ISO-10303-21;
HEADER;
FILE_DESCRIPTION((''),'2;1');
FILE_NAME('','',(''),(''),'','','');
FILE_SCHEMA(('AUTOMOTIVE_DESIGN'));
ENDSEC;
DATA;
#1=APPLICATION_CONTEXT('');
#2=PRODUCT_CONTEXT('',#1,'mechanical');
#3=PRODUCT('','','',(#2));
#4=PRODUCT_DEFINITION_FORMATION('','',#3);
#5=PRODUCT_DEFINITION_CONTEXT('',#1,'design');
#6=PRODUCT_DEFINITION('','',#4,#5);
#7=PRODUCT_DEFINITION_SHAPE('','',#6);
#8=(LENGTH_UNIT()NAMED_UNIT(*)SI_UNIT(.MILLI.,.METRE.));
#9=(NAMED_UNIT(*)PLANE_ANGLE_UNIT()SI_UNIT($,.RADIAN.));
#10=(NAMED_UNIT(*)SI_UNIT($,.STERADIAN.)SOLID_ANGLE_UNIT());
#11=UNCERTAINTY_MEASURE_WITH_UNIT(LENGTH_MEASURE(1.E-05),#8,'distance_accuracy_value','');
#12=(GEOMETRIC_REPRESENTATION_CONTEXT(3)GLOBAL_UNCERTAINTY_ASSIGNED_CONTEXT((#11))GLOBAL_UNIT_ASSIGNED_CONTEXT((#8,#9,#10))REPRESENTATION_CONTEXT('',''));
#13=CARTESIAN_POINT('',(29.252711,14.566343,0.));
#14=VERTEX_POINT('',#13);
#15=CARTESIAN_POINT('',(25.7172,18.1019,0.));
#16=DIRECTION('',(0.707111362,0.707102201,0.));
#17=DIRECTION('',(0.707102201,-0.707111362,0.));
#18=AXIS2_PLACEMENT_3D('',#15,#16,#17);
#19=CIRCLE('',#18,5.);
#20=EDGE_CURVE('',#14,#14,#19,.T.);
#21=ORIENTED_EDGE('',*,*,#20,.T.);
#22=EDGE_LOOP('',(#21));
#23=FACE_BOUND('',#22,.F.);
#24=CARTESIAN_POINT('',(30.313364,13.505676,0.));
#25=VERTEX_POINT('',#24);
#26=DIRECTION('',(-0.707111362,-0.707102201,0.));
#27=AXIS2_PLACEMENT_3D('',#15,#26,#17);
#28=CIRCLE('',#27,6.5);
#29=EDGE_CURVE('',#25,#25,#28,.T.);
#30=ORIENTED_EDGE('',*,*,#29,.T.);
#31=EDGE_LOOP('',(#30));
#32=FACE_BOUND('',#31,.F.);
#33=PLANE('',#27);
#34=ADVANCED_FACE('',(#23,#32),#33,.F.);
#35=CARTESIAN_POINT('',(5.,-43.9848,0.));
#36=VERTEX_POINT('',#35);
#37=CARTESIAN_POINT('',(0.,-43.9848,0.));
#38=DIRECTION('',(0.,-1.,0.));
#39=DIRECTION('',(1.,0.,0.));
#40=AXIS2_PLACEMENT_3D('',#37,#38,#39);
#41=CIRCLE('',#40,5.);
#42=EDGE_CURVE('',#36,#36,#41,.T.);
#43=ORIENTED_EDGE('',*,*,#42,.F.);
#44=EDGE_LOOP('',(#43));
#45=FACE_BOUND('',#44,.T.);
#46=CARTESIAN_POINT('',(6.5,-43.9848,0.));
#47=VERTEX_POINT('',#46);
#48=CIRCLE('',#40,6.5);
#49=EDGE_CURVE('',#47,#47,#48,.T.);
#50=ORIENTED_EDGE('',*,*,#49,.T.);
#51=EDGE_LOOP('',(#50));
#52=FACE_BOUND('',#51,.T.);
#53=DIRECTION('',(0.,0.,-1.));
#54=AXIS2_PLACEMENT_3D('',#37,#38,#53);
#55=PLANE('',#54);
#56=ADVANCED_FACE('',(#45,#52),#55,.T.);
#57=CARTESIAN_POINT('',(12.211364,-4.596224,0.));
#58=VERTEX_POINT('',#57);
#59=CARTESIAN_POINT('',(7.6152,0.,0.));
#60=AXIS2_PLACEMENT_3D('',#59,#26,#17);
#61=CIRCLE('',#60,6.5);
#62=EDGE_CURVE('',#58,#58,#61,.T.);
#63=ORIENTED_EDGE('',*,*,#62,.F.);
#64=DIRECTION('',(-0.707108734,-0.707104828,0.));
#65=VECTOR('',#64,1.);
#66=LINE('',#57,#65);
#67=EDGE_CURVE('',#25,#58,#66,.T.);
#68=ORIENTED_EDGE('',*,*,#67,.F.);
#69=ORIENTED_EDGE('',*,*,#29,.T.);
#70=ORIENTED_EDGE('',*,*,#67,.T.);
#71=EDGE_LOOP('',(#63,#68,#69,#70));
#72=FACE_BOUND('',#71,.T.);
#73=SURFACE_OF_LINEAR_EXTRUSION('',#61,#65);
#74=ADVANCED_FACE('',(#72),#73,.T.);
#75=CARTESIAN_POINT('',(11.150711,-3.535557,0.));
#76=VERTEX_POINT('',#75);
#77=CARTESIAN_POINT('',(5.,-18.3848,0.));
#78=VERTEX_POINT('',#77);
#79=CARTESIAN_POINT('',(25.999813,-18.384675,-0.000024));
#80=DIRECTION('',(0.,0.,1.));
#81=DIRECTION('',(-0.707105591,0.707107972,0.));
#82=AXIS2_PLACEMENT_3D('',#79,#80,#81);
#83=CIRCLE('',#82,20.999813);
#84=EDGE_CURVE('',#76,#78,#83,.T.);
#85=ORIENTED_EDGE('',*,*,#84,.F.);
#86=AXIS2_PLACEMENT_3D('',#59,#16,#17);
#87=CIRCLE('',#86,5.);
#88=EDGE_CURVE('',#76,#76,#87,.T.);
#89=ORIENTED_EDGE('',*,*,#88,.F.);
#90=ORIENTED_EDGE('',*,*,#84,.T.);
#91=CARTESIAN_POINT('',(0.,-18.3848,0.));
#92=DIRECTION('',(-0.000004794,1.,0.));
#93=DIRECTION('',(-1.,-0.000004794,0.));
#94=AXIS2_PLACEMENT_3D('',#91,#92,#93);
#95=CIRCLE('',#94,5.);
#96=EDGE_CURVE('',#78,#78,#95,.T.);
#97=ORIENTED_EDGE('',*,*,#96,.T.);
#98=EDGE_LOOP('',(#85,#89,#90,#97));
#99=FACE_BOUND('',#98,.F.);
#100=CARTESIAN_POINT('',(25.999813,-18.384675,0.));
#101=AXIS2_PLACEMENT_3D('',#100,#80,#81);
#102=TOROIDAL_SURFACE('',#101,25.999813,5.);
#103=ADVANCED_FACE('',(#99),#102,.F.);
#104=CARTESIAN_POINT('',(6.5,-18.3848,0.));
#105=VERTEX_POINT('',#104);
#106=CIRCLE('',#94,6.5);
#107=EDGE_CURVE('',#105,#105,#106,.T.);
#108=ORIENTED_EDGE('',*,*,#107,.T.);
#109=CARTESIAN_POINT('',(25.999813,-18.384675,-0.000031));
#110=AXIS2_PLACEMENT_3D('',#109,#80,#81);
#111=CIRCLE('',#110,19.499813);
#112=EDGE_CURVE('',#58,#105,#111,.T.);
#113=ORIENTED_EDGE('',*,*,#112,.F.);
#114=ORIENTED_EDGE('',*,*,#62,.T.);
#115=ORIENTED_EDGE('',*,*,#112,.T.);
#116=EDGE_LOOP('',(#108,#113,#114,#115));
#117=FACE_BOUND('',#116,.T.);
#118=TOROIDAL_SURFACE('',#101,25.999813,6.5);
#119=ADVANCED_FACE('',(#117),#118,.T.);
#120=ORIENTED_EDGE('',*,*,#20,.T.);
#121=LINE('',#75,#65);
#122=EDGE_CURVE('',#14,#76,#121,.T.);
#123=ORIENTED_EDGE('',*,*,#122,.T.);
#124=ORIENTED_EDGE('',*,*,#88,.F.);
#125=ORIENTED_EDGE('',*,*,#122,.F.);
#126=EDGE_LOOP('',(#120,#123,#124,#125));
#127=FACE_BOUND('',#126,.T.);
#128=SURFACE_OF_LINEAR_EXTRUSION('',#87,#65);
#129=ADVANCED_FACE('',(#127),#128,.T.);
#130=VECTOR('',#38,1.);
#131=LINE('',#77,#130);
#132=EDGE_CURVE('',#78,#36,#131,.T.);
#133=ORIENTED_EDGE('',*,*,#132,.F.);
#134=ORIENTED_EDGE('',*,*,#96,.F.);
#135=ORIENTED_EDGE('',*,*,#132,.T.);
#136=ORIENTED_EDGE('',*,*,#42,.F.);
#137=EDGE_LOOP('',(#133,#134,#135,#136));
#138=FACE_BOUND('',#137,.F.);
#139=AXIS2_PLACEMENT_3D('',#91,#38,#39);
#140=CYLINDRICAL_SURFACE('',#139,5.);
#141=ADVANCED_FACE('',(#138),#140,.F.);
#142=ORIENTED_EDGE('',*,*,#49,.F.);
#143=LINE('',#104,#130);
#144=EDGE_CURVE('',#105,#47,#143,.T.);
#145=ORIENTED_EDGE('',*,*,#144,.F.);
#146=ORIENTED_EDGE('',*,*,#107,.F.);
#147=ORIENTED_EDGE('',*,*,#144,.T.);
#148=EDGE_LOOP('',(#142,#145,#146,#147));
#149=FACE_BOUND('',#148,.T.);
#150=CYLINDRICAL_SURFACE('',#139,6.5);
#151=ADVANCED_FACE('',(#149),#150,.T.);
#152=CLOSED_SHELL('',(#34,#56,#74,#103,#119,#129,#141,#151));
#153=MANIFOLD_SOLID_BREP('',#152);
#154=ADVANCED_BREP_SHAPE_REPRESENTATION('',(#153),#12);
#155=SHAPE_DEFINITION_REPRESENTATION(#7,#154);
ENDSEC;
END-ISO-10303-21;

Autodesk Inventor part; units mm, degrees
ref_plane "YZ Plane" through (0, 0, 0) normal (1, 0, 0) x (0, 1, 0)
ref_plane "XZ Plane" through (0, 0, 0) normal (0, 1, 0) x (-1, 0, 0)
sketch "Szkic6" plane through (0, 0, 0) normal (0, 0, 1) x (1, 0, 0)
  line L0 (-29.6067, 0) -> (35.2678, 0) construction
  line L1 (0, 42.3419) -> (0, -58.3726) construction
  arc A0 (7.6152, 0) -> (0, -18.3848) centre (26, -18.3848) ccw
  line L2 (0, -18.3848) -> (26, -18.3848) construction
  line L3 (26, -18.3848) -> (-20.3389, 27.9541) construction
  line L4 (7.6152, 0) -> (25.7172, 18.1019)
  line L5 (0, -18.3848) -> (0, -43.9848)
  point P0 (0, 0)
  dimension "d24" = 152.4
  dimension "d31" = 90
  dimension "d36" = 42.6
  dimension "d37" = 42.6
ref_plane "Płaszczyzna konstrukcyjna2" through (0, -18.3848, 0) normal (0, -1, 0) x (1, 0, 0)
sketch "Szkic8" plane through (0, -18.3848, 0) normal (0, -1, 0) x (1, 0, 0)
  circle A0 centre (0, 0) radius 6.5
  circle A1 centre (0, 0) radius 5
  dimension "d32" = 101.6
  dimension "d33" = 2
sweep "Przeciągnięcie2" add profiles "Szkic8" path "Szkic6"
equation "\"d32\" = OD"
equation "\"d33\" = THK"
equation "\"d24\" = R"
equation "\"d31\" = KAT"
equation "\"d36\" = PROSTKA"
equation "\"d37\" = PROSTKA"
equation "\"SzerokośćGięciaPodcięcia\" = Grubość"
equation "\"RozmiarPodcięciaNarożnika\" = 4 * Grubość"
equation "\"PromieńPrzejścia\" = PromieńGięcia"
equation "\"Rozmiar_promienia_Jacobiego\" = PromieńGięcia"
equation "\"Wielk_odstępu\" = Grubość"
equation "\"d2\" = PromieńGięcia"
equation "\"d23\" = PromieńGięcia"
equation "\"R\" = 152.4"
equation "\"OD\" = 101.6"
equation "\"THK\" = 2"
equation "\"KAT\" = 90deg"
equation "\"PROSTKA\" = 42.6"
equation "\"Grubość\" = 1.5"
equation "\"PromieńGięcia\" = 3"
properties part number "Kolano 90° ø101,6x2 R152,4" material "304L"
